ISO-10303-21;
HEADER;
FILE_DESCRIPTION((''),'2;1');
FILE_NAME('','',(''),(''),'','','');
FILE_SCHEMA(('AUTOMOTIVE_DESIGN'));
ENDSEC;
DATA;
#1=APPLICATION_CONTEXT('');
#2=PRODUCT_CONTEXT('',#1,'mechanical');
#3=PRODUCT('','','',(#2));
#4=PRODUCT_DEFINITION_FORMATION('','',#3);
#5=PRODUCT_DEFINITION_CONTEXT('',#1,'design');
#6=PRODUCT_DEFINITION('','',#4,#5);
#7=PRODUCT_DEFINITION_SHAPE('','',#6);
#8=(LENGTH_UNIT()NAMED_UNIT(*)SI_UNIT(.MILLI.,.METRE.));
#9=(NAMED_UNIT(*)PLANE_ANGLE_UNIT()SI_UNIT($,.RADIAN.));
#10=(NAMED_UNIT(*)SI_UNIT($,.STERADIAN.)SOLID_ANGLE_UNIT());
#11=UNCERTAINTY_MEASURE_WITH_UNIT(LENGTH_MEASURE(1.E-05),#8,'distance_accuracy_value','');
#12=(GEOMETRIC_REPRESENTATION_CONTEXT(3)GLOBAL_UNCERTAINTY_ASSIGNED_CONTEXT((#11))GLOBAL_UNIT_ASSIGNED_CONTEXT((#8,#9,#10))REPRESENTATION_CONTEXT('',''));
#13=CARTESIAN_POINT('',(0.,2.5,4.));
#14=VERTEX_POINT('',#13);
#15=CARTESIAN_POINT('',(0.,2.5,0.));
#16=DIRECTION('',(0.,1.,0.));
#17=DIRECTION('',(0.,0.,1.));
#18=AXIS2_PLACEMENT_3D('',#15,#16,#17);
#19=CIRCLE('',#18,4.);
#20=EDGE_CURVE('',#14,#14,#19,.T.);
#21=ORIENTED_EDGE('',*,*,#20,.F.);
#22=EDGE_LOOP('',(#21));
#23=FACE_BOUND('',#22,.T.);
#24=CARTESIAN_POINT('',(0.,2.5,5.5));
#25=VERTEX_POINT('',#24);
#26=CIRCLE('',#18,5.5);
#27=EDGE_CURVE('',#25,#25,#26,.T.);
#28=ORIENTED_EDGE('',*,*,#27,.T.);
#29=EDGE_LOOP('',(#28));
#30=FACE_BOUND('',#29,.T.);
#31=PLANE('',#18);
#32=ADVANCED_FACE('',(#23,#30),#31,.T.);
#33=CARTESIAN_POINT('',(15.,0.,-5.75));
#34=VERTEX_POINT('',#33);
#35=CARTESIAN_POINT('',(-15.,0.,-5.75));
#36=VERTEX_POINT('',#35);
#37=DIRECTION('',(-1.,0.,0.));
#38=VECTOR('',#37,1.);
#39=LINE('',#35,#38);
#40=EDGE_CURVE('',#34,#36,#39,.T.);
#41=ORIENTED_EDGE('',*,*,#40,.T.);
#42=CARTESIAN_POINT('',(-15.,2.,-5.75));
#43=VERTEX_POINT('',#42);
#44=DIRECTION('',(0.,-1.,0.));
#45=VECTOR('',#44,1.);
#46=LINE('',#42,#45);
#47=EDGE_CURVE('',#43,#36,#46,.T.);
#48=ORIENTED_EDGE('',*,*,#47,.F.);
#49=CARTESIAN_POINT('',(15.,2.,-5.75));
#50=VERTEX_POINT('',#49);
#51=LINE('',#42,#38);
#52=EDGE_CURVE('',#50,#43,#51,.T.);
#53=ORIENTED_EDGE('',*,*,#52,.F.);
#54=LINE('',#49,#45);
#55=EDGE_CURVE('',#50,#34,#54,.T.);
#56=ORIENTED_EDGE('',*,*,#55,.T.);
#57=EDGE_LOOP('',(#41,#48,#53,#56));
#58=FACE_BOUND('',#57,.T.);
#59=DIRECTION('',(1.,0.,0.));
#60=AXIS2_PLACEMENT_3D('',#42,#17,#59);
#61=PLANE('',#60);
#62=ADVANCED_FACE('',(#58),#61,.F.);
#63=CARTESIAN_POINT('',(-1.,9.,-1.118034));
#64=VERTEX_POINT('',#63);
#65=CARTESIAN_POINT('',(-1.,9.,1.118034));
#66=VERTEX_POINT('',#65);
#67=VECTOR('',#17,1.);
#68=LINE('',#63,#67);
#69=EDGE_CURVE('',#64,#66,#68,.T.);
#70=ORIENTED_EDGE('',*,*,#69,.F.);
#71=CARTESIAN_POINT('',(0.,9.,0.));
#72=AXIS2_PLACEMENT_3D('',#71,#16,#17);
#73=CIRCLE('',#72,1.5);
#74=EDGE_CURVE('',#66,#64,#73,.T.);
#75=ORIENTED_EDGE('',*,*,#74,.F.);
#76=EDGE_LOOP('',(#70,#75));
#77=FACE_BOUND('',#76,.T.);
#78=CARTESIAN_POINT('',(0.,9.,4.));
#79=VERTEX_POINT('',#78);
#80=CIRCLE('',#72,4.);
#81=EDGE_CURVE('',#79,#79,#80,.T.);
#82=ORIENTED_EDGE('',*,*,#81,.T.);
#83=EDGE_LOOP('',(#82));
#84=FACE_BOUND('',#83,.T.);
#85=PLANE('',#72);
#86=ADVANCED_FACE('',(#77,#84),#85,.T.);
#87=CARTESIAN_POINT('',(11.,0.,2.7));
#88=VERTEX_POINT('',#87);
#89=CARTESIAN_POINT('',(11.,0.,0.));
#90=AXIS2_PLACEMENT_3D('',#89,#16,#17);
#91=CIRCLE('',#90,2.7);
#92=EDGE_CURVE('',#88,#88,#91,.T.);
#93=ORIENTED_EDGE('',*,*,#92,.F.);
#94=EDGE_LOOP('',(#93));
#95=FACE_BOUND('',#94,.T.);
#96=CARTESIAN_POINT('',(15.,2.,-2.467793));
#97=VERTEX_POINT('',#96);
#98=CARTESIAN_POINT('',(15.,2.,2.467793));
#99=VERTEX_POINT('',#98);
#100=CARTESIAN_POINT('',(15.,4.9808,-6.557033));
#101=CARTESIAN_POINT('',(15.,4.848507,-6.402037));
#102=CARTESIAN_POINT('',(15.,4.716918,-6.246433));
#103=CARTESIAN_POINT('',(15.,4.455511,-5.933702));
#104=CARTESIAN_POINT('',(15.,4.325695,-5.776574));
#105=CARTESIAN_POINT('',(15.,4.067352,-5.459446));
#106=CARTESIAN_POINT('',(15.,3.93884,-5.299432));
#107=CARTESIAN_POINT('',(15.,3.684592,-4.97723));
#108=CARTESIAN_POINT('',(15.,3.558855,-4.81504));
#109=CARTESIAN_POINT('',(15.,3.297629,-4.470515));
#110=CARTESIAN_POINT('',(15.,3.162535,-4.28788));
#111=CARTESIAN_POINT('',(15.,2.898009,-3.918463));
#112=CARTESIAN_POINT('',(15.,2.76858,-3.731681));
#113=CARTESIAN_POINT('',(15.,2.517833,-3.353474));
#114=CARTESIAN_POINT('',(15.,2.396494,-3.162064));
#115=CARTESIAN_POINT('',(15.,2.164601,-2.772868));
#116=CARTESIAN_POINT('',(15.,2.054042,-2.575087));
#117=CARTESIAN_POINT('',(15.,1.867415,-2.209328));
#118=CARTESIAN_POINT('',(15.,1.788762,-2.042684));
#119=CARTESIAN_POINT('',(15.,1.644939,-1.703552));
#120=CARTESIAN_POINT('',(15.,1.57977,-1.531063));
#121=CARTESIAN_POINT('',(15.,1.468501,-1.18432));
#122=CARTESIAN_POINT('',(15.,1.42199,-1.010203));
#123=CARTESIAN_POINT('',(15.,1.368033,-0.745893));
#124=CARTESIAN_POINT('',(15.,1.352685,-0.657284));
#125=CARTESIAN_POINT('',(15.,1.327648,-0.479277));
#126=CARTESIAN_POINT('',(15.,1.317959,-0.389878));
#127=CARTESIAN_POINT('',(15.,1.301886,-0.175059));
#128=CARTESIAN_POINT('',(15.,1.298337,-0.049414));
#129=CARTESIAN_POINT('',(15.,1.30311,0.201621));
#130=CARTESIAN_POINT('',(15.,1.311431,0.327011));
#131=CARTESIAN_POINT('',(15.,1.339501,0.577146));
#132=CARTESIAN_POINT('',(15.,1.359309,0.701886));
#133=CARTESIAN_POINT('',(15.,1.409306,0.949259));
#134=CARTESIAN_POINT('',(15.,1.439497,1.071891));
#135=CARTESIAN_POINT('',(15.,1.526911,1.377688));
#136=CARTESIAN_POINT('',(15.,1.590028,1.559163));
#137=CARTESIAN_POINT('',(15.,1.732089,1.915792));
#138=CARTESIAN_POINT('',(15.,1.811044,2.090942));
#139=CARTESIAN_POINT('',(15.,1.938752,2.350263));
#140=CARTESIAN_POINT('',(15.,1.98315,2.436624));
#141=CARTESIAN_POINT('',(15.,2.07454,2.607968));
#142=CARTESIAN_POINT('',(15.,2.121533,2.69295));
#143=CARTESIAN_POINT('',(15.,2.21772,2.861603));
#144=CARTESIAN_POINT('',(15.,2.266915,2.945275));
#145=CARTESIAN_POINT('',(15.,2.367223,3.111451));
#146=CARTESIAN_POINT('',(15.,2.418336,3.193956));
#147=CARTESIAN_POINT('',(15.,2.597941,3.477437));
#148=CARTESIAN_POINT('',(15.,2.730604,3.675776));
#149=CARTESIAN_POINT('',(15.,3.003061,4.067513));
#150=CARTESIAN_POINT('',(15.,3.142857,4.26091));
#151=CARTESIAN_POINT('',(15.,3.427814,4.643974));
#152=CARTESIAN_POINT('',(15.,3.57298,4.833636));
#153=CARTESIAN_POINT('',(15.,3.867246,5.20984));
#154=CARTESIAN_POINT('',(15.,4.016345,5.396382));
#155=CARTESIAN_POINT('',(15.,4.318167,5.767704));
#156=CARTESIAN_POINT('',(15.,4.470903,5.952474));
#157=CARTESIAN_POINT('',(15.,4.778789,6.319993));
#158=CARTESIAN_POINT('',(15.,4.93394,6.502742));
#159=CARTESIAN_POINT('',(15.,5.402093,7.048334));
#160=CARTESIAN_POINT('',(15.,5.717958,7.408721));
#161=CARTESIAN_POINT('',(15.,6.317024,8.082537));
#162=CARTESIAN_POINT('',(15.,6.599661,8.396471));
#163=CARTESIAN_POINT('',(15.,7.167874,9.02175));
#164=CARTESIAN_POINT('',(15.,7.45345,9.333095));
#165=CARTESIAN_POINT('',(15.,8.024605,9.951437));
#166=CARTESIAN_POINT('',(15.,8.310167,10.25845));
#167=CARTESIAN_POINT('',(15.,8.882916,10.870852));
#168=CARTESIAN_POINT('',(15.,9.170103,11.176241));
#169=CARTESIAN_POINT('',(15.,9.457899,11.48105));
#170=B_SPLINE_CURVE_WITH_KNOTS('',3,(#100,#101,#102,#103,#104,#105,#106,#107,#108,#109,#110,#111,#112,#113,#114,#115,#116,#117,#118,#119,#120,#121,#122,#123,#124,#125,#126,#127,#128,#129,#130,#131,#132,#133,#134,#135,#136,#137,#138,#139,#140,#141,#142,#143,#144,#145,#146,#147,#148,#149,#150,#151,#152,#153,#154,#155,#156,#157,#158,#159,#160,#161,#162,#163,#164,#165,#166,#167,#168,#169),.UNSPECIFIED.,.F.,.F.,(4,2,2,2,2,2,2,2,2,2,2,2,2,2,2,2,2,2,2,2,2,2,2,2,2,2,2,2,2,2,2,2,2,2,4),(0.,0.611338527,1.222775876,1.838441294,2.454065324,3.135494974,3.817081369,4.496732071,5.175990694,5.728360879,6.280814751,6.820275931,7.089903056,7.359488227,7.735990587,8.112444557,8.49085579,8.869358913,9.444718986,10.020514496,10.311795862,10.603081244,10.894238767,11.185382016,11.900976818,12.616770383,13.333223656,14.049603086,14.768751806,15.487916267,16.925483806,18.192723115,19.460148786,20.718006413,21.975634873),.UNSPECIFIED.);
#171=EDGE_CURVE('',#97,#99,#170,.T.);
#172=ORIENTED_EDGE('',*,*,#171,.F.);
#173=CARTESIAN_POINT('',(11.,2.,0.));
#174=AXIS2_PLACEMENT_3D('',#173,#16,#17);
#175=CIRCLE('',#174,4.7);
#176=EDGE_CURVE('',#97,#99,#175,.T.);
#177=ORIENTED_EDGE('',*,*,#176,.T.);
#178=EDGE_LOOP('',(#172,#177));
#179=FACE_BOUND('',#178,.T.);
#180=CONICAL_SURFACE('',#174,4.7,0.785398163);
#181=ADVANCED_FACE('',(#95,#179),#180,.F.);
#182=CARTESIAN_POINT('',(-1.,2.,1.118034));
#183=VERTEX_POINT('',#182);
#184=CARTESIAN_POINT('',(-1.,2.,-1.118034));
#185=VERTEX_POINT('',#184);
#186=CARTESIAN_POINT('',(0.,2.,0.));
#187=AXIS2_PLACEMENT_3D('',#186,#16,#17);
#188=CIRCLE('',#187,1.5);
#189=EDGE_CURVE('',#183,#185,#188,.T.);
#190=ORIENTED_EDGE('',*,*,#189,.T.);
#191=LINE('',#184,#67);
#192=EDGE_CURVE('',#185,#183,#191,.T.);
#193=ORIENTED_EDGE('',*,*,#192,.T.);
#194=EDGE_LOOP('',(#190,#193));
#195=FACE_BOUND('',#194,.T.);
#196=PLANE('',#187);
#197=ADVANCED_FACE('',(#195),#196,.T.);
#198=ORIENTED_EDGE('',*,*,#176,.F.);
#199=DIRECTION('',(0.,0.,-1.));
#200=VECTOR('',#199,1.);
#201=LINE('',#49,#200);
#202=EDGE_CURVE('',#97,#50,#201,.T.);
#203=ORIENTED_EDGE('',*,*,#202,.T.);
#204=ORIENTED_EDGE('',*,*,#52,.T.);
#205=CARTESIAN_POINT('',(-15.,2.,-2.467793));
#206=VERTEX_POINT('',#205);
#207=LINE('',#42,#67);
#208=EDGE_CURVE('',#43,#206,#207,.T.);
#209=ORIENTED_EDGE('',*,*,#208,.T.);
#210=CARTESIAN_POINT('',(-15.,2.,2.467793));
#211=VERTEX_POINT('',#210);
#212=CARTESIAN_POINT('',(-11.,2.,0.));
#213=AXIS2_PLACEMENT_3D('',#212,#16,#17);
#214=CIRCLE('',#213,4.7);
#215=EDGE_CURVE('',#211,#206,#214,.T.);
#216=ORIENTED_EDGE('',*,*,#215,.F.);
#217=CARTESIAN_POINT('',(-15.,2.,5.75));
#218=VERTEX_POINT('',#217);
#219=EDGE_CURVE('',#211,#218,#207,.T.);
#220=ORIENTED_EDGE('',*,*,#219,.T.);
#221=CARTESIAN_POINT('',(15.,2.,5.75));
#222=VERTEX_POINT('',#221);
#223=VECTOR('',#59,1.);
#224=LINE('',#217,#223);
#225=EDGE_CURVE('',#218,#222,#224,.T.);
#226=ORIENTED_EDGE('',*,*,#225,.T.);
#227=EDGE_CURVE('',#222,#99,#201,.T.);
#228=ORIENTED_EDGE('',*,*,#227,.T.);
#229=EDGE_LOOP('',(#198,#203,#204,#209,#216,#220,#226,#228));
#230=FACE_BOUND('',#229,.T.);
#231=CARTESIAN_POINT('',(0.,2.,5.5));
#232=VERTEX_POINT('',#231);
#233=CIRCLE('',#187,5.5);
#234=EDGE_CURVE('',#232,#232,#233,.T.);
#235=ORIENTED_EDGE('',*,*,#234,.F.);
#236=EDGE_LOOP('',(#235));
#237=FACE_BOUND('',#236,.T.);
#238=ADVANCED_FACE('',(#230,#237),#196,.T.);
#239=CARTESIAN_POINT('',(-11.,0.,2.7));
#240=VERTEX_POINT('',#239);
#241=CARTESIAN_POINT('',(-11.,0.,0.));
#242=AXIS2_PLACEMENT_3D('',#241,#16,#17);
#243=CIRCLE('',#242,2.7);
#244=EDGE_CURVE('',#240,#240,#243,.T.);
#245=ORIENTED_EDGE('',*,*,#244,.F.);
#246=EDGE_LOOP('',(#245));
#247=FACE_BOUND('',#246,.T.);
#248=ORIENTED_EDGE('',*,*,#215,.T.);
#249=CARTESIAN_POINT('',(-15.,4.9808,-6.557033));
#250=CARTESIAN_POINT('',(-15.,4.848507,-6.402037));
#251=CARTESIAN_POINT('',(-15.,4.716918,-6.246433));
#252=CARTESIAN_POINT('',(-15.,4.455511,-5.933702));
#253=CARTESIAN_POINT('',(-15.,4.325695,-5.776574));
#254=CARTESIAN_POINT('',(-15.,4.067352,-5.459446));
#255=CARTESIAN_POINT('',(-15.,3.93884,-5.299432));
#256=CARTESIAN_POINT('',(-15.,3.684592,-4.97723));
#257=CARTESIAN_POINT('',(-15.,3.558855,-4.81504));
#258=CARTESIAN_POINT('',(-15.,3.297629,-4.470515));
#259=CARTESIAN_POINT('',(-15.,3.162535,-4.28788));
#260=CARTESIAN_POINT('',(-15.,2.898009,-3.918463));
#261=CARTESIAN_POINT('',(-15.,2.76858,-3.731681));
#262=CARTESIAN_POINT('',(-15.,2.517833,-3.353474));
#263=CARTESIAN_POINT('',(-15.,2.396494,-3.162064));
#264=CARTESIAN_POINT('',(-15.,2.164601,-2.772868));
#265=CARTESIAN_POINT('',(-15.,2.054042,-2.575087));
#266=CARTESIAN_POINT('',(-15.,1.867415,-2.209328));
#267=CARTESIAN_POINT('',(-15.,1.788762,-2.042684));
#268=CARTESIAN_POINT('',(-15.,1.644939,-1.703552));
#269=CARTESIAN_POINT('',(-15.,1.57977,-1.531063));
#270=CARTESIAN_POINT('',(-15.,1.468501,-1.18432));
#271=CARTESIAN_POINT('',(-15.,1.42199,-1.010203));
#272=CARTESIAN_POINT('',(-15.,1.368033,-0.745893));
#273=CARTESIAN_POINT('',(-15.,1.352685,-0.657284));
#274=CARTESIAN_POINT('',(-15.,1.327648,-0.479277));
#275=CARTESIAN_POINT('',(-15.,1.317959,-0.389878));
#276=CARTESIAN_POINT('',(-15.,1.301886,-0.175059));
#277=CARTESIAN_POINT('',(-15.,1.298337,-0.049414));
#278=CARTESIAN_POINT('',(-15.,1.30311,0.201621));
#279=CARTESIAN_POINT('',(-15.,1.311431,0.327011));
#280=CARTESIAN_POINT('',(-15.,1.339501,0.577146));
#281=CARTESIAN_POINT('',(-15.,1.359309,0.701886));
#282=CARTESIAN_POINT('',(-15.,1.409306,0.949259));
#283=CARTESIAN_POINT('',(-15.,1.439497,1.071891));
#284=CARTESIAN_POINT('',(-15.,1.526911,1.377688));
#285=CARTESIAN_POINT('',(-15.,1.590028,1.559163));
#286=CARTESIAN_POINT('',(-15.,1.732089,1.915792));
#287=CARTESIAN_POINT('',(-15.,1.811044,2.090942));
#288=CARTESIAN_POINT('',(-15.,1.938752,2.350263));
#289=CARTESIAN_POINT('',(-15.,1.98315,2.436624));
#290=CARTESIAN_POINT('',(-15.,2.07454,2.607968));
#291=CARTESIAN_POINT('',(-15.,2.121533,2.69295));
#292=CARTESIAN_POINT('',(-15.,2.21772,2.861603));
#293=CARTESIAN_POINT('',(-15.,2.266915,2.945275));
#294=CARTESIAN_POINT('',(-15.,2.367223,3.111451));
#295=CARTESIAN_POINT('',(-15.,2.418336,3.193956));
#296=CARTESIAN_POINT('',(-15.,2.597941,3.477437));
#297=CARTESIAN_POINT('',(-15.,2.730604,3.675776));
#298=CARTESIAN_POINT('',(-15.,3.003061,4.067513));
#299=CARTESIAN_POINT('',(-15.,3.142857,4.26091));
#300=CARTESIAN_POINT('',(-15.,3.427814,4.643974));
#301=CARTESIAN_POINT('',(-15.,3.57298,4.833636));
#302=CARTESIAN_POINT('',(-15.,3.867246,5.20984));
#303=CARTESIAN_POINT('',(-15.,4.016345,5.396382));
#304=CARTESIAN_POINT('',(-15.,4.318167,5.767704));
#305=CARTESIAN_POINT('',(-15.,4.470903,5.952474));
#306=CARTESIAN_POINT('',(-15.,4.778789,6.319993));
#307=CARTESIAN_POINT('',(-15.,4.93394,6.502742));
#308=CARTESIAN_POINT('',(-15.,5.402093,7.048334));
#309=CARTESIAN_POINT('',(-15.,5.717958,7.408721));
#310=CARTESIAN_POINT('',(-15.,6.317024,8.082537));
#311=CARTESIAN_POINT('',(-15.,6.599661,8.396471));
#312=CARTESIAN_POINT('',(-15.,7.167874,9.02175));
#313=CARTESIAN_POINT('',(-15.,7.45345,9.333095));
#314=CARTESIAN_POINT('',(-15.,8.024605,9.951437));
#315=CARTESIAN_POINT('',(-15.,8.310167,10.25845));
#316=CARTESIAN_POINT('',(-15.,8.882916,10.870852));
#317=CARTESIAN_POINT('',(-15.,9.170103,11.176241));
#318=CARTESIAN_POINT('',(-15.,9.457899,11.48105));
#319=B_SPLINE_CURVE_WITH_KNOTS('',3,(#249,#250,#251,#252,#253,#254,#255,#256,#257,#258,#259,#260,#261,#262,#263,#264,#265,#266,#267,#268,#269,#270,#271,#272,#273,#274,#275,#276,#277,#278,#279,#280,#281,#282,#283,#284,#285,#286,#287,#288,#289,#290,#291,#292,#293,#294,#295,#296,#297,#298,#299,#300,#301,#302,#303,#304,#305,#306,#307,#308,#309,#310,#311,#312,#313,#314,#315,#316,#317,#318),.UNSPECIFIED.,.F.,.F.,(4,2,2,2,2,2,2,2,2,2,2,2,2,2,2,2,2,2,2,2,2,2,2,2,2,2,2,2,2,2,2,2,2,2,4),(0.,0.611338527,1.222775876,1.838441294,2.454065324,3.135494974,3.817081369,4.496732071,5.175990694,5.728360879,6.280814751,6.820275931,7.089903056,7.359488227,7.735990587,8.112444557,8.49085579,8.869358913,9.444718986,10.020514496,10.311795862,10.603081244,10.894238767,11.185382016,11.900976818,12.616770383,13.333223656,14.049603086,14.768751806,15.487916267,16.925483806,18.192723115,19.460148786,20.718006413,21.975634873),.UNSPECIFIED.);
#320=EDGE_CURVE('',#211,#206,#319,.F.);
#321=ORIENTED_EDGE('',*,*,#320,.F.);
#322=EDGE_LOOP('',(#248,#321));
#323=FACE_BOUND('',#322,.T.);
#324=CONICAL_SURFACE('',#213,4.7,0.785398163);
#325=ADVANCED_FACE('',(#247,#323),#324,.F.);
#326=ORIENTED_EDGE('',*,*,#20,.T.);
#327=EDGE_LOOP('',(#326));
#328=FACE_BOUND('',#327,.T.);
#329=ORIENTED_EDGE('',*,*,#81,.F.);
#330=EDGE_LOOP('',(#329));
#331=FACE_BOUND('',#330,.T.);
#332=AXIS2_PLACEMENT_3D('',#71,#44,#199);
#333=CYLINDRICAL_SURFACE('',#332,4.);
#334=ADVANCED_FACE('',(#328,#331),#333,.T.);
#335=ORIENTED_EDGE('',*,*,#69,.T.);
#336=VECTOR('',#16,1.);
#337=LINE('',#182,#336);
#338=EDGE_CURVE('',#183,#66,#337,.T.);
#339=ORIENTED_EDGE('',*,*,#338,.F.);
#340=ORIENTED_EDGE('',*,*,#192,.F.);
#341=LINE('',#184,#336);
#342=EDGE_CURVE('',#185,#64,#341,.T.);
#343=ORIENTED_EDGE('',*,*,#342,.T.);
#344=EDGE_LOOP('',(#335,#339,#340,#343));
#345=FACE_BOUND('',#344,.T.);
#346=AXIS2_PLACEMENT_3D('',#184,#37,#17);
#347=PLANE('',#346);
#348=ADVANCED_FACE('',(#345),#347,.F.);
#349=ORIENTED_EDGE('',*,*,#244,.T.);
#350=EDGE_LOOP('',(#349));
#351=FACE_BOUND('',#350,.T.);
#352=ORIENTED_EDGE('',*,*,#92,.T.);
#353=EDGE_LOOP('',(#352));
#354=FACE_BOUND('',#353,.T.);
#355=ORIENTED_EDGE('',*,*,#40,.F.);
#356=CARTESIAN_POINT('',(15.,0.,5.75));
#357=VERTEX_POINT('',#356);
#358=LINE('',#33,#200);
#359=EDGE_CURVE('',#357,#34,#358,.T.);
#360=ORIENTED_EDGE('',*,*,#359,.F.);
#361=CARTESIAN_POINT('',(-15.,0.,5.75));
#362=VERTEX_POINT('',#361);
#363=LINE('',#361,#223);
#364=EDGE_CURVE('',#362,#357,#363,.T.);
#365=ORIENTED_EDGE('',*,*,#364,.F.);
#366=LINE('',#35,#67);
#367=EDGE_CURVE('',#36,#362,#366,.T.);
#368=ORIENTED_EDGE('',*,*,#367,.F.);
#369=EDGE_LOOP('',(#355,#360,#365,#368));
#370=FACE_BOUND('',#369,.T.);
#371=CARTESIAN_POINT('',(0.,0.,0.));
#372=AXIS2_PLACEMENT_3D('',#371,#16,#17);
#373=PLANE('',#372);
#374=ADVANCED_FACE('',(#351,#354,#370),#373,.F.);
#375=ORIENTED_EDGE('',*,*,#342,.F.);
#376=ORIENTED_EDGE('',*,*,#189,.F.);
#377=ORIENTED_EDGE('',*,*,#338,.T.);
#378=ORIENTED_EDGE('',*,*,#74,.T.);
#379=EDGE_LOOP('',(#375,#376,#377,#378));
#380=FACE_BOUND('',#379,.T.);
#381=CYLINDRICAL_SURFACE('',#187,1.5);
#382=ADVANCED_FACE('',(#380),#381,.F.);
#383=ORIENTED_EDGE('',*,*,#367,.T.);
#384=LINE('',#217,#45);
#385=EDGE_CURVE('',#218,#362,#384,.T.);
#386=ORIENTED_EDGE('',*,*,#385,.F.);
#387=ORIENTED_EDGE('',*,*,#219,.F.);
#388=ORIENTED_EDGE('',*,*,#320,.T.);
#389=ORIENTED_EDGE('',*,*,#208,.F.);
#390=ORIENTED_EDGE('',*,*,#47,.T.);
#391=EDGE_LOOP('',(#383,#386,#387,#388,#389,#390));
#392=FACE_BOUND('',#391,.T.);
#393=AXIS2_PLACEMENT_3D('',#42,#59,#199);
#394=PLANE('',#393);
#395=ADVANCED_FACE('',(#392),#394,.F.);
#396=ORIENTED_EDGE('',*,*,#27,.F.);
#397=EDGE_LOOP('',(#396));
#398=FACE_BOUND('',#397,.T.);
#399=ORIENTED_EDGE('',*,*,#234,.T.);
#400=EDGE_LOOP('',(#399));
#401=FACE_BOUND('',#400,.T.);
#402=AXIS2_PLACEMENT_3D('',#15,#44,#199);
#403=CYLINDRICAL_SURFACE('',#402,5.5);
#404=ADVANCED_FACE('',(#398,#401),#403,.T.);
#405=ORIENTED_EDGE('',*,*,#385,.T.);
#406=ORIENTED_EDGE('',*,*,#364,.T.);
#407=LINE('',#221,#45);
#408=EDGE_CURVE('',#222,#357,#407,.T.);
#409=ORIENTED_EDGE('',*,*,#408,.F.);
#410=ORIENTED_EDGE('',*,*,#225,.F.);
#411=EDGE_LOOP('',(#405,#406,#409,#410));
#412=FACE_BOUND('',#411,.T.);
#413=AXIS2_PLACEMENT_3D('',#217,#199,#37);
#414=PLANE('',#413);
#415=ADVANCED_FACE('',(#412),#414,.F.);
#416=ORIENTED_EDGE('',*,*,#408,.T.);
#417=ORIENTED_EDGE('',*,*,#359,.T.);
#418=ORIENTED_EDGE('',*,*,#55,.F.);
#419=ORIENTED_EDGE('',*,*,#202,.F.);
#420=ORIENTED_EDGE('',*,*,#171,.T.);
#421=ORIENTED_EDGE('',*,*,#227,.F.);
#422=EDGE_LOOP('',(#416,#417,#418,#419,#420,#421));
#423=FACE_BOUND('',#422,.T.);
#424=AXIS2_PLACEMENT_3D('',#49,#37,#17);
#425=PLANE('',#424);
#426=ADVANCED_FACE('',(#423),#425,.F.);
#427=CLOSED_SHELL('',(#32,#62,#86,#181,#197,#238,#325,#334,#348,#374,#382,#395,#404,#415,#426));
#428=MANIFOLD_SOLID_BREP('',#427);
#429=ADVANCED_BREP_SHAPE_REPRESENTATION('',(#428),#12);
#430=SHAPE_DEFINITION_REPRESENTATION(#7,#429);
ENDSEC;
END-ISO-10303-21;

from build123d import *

# Parameters (mm, degrees)
SKETCH1_W                                    = 30
SKETCH1_H                                    = 11.5
BOSS_EXTRUDE1_DEPTH                          = 2
SKETCH2_R                                    = 5.5
BOSS_EXTRUDE2_DEPTH                          = 0.5
SKETCH3_R                                    = 4
BOSS_EXTRUDE3_DEPTH                          = 6.5
CUT_EXTRUDE1_DEPTH                           = 7
CSK_FOR_M4_COUNTERSUNK_FLAT_HEAD_SCR_2_COUNT = 2
CSK_FOR_M4_COUNTERSUNK_FLAT_HEAD_SCR_2_PITCH = 22


with BuildPart() as part:
    # Sketch1 → Boss-Extrude1 (new body)
    with BuildSketch(Plane(origin=(0, 0, 0), x_dir=(1, 0, 0), z_dir=(0, 1, 0))):
        Rectangle(SKETCH1_W, SKETCH1_H)
    extrude(amount=BOSS_EXTRUDE1_DEPTH)

    # Sketch2 → Boss-Extrude2 (add)
    with BuildSketch(Plane(origin=(0, 2, 0), x_dir=(1, 0, 0), z_dir=(0, 1, 0))):
        Circle(SKETCH2_R)
    extrude(amount=BOSS_EXTRUDE2_DEPTH)

    # Sketch3 → Boss-Extrude3 (add)
    with BuildSketch(Plane(origin=(0, 2.5, 0), x_dir=(1, 0, 0), z_dir=(0, 1, 0))):
        Circle(SKETCH3_R)
    extrude(amount=BOSS_EXTRUDE3_DEPTH)

    # Sketch4 → Cut-Extrude1 (cut)
    with BuildSketch(Plane(origin=(0, 9, 0), x_dir=(1, 0, 0), z_dir=(0, 1, 0))):
        with BuildLine():
            Line((-1, 1.118033989), (-1, -1.118033989))
            ThreePointArc((-1, -1.118033989), (1.5, 0), (-1, 1.118033989))
        make_face()
    extrude(amount=-CUT_EXTRUDE1_DEPTH, mode=Mode.SUBTRACT)

    # Sketch6 → CSK for M4 Countersunk Flat Head Screw1 (revolve, cut)
    with BuildSketch(Plane(origin=(11, 2, 0), x_dir=(0, 0, 1), z_dir=(1, 0, 0))):
        Polygon((0, 0), (0, 3.351936393), (2.25, 2), (2.25, 2.45), (4.7, 0), align=None)
    csk_for_m4_countersunk_flat_head_screw1 = revolve(axis=Axis((11, 8.35, 0), (0, -1, 0)), mode=Mode.SUBTRACT)

    # CSK for M4 Countersunk Flat Head Scr 2: CSK for M4 Countersunk Flat Head Screw1 ×2
    with Locations(*[(-i * CSK_FOR_M4_COUNTERSUNK_FLAT_HEAD_SCR_2_PITCH, 0, 0) for i in range(1, CSK_FOR_M4_COUNTERSUNK_FLAT_HEAD_SCR_2_COUNT)]):
        add(csk_for_m4_countersunk_flat_head_screw1, mode=Mode.SUBTRACT)


solid = part.part
